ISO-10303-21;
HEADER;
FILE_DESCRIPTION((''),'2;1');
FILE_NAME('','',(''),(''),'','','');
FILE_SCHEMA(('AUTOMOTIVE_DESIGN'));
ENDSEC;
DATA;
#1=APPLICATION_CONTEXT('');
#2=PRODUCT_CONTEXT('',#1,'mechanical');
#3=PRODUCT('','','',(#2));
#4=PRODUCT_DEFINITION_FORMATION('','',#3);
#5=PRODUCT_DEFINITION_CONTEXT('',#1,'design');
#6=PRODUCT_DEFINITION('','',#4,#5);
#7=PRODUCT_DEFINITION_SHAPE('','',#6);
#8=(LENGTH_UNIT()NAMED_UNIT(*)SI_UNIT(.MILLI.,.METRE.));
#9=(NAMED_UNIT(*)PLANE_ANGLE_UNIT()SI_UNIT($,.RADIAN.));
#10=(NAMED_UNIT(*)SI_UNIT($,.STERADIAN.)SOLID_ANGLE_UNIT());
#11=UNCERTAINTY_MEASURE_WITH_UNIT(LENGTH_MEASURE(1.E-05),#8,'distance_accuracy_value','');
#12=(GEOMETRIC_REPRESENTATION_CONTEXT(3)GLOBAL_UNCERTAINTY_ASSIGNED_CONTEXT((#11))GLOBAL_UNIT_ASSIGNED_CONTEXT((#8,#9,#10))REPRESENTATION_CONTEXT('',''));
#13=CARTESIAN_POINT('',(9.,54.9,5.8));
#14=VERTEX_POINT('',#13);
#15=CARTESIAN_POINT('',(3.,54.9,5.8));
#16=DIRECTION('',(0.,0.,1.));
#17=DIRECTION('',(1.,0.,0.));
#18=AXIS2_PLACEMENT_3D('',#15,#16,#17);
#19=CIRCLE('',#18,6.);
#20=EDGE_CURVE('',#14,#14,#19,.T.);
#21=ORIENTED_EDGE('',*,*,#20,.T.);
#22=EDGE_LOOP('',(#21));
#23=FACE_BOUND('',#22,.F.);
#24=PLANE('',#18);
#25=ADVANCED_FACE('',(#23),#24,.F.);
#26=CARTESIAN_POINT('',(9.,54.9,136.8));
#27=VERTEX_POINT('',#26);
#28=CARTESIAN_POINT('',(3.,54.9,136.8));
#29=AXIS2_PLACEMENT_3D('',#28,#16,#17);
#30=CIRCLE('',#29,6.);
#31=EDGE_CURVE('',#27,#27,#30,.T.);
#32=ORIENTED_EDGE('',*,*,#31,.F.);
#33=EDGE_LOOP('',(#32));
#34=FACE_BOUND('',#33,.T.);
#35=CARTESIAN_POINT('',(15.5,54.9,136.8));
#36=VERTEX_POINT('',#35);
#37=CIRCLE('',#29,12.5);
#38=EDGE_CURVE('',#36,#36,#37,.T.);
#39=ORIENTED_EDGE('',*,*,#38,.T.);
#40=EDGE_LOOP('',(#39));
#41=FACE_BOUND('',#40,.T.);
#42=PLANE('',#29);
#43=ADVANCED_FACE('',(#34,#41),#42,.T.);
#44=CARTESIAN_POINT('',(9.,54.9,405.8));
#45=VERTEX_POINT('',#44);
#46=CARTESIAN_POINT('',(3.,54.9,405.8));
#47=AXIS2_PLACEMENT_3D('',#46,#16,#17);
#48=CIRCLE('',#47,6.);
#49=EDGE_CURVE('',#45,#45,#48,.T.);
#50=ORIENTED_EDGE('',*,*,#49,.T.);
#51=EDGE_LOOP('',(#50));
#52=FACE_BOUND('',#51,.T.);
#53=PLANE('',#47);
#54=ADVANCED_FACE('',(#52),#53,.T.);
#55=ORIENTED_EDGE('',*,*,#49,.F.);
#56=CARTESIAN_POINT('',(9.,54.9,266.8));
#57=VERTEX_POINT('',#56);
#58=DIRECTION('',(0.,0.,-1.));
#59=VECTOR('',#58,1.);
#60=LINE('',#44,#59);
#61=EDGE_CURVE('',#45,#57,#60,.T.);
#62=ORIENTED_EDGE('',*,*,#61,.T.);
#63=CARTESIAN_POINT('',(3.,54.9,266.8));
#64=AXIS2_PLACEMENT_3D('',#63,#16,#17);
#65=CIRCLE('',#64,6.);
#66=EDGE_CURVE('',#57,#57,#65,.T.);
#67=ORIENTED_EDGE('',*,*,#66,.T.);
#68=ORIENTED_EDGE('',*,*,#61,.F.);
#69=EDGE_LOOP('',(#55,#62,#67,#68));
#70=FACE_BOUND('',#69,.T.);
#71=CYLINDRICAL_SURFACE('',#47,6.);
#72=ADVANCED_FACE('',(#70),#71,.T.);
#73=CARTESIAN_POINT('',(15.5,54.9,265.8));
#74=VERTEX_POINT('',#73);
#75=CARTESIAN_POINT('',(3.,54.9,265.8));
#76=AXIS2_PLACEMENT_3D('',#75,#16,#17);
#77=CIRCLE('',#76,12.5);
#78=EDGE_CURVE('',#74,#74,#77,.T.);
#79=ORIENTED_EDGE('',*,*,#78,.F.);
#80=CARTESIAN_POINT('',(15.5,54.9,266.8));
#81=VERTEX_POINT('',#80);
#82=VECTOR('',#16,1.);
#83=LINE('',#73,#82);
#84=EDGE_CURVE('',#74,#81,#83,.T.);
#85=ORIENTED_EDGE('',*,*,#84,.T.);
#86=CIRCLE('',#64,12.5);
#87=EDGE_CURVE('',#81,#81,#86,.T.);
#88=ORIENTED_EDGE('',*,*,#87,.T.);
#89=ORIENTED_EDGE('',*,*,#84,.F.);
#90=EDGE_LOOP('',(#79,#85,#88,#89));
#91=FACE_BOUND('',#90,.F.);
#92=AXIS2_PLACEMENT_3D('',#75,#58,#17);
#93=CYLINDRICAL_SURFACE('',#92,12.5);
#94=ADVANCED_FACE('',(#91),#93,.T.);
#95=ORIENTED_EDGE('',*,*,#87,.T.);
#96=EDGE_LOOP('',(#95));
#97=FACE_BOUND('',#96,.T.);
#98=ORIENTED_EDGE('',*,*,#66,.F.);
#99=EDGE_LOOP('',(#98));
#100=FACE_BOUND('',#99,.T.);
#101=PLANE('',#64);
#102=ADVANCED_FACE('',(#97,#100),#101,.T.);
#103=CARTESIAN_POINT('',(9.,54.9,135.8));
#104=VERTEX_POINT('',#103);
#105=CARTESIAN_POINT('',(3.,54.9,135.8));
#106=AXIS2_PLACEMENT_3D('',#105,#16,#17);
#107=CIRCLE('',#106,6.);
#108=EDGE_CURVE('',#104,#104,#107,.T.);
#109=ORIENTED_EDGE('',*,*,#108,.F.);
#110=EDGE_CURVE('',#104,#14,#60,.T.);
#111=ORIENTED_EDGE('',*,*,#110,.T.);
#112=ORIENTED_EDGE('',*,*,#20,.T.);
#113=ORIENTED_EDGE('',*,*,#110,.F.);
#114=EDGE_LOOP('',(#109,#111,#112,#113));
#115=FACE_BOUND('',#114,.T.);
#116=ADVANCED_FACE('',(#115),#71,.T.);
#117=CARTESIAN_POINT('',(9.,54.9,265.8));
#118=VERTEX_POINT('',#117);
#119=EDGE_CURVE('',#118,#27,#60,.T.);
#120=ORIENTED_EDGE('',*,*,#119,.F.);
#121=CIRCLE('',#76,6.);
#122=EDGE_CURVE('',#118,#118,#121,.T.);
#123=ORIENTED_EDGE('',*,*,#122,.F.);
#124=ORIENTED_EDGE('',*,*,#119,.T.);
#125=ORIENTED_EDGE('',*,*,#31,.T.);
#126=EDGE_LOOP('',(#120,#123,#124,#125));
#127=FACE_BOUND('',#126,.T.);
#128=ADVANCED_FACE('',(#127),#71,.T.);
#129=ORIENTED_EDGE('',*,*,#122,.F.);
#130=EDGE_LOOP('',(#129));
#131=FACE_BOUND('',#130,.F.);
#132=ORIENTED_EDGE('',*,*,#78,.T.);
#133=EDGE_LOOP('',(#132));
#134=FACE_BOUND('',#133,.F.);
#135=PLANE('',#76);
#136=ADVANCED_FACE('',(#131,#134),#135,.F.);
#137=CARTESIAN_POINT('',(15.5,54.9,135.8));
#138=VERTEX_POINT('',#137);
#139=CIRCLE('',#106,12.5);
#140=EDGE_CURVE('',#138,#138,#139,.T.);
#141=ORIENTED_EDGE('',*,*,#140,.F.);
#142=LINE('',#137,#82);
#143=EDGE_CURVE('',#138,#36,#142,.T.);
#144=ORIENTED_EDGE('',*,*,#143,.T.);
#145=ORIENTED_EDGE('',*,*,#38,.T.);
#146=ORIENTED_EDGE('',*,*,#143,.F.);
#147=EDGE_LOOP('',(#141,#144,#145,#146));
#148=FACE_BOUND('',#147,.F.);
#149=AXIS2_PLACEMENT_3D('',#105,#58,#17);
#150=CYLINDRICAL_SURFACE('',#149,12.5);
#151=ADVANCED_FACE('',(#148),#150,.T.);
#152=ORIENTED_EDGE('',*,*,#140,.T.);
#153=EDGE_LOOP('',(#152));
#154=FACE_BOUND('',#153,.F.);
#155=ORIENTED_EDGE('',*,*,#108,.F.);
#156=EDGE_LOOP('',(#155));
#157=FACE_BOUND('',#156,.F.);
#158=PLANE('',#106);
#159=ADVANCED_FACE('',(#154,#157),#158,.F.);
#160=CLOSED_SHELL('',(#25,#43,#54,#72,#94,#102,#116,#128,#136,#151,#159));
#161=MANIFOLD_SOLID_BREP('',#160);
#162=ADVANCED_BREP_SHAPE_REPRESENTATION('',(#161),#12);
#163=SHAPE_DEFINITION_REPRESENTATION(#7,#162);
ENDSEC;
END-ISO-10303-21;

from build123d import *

# Parameters (mm, degrees)
SKETCH019_R  = 6
PAD010_DEPTH = 400
SKETCH071_R  = 12.5
PAD_DEPTH    = 1
SKETCH_R     = 12.5
PAD011_DEPTH = 1


with BuildPart() as part:
    # Sketch019 → Pad010 (new body)
    with BuildSketch(Plane.XY):
        Circle(SKETCH019_R)
    extrude(amount=-PAD010_DEPTH)

    # Sketch071 (on Face2 of Pad010) → Pad (join)
    with BuildSketch(Plane.XY.offset(-270)):
        Circle(SKETCH071_R)
    extrude(amount=PAD_DEPTH)

    # Sketch (on Face2 of Pad) → Pad011 (join)
    with BuildSketch(Plane.XY.offset(-140)):
        Circle(SKETCH_R)
    extrude(amount=PAD011_DEPTH)


with BuildPart() as part_1:
    # Body007 placement: moved
    add(part.part.moved(Location((3, 54.9, 405.8))))


solid = part_1.part
